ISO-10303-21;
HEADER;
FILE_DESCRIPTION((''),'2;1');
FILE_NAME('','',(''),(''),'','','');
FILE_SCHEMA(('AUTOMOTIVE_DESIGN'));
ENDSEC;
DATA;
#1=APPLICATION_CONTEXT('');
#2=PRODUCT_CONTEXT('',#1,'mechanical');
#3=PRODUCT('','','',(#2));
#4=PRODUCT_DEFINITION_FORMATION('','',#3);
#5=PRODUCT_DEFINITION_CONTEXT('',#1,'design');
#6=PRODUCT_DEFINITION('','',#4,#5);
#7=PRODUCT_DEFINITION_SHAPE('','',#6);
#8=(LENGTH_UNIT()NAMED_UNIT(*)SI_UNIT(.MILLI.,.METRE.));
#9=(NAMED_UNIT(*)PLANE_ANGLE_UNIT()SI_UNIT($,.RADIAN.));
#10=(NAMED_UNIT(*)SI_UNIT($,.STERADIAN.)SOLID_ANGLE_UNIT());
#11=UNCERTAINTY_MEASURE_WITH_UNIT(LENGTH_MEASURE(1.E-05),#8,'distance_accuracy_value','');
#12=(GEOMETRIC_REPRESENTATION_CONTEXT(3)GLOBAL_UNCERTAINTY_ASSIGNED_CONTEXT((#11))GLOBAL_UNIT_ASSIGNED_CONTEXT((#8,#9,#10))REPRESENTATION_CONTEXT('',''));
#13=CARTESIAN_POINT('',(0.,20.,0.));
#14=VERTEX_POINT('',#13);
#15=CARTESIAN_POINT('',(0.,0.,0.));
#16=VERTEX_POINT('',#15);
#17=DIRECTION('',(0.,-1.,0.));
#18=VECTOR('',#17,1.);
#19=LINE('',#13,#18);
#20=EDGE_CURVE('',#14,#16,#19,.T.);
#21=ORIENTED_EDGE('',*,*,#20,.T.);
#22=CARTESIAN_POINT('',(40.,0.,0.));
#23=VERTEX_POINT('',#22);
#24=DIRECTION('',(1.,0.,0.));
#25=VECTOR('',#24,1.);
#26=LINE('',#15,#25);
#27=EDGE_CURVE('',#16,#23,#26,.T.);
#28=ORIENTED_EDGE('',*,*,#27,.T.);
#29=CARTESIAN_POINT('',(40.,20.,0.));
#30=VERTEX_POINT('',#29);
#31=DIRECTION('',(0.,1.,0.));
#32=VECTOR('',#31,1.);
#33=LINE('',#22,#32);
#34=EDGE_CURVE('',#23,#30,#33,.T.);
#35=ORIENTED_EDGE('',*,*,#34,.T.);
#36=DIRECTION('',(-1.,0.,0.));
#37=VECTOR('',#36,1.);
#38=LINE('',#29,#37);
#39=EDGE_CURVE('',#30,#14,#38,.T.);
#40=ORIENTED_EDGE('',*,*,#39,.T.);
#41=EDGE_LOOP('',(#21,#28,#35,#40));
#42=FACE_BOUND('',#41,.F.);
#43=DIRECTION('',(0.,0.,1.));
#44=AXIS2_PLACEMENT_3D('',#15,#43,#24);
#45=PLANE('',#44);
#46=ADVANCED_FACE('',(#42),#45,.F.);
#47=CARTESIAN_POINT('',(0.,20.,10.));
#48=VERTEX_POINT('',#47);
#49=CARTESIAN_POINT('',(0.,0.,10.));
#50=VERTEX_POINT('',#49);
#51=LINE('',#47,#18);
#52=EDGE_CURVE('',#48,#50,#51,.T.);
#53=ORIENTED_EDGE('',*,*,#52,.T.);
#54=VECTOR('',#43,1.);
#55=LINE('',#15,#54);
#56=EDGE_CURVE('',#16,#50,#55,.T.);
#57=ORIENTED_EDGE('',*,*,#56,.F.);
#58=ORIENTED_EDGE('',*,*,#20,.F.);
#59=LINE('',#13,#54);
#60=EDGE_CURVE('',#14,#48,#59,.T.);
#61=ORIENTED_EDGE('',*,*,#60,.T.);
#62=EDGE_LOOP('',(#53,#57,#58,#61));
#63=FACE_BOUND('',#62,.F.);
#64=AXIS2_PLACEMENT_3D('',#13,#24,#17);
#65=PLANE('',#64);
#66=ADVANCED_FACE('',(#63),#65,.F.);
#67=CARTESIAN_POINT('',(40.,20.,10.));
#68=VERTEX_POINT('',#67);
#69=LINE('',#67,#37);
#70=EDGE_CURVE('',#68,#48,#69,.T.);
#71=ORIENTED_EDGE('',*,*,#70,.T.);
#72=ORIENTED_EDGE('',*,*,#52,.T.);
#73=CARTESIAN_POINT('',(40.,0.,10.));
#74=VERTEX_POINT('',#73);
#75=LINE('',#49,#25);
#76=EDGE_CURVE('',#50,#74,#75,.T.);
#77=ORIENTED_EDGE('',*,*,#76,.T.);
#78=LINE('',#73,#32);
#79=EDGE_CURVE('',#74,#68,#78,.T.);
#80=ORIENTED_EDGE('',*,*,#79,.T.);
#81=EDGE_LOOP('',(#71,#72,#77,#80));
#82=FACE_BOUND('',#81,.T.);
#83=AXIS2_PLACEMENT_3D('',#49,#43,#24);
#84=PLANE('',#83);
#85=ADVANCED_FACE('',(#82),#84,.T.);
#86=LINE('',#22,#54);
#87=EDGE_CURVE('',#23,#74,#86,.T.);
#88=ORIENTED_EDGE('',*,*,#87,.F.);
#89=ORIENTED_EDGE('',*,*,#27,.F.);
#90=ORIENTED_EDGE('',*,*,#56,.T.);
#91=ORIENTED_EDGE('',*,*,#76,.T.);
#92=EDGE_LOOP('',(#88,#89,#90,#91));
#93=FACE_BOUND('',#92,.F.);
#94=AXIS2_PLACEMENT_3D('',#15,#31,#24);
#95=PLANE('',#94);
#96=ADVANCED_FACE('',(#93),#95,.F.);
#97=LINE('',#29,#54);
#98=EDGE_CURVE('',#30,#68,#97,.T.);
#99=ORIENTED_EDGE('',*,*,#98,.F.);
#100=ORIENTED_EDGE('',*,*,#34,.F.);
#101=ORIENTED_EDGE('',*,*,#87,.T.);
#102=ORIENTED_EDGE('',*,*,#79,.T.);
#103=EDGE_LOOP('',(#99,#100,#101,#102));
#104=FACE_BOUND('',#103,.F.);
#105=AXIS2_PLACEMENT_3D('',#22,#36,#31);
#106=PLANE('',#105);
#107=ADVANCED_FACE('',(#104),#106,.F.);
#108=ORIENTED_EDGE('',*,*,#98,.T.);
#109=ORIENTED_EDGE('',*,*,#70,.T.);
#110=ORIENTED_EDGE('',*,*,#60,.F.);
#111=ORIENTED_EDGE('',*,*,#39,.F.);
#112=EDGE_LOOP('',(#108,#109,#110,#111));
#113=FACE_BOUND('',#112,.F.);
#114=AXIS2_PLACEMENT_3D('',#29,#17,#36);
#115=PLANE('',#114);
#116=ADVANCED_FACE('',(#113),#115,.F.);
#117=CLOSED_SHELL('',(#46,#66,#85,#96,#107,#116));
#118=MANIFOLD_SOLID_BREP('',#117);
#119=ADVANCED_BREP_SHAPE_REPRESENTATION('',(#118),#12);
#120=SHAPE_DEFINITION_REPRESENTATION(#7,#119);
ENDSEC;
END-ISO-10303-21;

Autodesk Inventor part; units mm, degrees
ref_plane "YZ Plane" through (0, 0, 0) normal (1, 0, 0) x (0, 1, 0)
ref_plane "XZ Plane" through (0, 0, 0) normal (0, 1, 0) x (-1, 0, 0)
ref_plane "XY Plane" through (0, 0, 0) normal (0, 0, 1) x (1, 0, 0)
sketch "Sketch1" plane through (0, 0, 0) normal (0, 0, 1) x (1, 0, 0)
  line L0 (0, 0) -> (40, 0)
  line L1 (40, 0) -> (40, 20)
  line L2 (40, 20) -> (0, 20)
  line L3 (0, 20) -> (0, 0)
extrude "Extrusion1" add sketch "Sketch1" along normal blind 10
properties part number "10_box"
